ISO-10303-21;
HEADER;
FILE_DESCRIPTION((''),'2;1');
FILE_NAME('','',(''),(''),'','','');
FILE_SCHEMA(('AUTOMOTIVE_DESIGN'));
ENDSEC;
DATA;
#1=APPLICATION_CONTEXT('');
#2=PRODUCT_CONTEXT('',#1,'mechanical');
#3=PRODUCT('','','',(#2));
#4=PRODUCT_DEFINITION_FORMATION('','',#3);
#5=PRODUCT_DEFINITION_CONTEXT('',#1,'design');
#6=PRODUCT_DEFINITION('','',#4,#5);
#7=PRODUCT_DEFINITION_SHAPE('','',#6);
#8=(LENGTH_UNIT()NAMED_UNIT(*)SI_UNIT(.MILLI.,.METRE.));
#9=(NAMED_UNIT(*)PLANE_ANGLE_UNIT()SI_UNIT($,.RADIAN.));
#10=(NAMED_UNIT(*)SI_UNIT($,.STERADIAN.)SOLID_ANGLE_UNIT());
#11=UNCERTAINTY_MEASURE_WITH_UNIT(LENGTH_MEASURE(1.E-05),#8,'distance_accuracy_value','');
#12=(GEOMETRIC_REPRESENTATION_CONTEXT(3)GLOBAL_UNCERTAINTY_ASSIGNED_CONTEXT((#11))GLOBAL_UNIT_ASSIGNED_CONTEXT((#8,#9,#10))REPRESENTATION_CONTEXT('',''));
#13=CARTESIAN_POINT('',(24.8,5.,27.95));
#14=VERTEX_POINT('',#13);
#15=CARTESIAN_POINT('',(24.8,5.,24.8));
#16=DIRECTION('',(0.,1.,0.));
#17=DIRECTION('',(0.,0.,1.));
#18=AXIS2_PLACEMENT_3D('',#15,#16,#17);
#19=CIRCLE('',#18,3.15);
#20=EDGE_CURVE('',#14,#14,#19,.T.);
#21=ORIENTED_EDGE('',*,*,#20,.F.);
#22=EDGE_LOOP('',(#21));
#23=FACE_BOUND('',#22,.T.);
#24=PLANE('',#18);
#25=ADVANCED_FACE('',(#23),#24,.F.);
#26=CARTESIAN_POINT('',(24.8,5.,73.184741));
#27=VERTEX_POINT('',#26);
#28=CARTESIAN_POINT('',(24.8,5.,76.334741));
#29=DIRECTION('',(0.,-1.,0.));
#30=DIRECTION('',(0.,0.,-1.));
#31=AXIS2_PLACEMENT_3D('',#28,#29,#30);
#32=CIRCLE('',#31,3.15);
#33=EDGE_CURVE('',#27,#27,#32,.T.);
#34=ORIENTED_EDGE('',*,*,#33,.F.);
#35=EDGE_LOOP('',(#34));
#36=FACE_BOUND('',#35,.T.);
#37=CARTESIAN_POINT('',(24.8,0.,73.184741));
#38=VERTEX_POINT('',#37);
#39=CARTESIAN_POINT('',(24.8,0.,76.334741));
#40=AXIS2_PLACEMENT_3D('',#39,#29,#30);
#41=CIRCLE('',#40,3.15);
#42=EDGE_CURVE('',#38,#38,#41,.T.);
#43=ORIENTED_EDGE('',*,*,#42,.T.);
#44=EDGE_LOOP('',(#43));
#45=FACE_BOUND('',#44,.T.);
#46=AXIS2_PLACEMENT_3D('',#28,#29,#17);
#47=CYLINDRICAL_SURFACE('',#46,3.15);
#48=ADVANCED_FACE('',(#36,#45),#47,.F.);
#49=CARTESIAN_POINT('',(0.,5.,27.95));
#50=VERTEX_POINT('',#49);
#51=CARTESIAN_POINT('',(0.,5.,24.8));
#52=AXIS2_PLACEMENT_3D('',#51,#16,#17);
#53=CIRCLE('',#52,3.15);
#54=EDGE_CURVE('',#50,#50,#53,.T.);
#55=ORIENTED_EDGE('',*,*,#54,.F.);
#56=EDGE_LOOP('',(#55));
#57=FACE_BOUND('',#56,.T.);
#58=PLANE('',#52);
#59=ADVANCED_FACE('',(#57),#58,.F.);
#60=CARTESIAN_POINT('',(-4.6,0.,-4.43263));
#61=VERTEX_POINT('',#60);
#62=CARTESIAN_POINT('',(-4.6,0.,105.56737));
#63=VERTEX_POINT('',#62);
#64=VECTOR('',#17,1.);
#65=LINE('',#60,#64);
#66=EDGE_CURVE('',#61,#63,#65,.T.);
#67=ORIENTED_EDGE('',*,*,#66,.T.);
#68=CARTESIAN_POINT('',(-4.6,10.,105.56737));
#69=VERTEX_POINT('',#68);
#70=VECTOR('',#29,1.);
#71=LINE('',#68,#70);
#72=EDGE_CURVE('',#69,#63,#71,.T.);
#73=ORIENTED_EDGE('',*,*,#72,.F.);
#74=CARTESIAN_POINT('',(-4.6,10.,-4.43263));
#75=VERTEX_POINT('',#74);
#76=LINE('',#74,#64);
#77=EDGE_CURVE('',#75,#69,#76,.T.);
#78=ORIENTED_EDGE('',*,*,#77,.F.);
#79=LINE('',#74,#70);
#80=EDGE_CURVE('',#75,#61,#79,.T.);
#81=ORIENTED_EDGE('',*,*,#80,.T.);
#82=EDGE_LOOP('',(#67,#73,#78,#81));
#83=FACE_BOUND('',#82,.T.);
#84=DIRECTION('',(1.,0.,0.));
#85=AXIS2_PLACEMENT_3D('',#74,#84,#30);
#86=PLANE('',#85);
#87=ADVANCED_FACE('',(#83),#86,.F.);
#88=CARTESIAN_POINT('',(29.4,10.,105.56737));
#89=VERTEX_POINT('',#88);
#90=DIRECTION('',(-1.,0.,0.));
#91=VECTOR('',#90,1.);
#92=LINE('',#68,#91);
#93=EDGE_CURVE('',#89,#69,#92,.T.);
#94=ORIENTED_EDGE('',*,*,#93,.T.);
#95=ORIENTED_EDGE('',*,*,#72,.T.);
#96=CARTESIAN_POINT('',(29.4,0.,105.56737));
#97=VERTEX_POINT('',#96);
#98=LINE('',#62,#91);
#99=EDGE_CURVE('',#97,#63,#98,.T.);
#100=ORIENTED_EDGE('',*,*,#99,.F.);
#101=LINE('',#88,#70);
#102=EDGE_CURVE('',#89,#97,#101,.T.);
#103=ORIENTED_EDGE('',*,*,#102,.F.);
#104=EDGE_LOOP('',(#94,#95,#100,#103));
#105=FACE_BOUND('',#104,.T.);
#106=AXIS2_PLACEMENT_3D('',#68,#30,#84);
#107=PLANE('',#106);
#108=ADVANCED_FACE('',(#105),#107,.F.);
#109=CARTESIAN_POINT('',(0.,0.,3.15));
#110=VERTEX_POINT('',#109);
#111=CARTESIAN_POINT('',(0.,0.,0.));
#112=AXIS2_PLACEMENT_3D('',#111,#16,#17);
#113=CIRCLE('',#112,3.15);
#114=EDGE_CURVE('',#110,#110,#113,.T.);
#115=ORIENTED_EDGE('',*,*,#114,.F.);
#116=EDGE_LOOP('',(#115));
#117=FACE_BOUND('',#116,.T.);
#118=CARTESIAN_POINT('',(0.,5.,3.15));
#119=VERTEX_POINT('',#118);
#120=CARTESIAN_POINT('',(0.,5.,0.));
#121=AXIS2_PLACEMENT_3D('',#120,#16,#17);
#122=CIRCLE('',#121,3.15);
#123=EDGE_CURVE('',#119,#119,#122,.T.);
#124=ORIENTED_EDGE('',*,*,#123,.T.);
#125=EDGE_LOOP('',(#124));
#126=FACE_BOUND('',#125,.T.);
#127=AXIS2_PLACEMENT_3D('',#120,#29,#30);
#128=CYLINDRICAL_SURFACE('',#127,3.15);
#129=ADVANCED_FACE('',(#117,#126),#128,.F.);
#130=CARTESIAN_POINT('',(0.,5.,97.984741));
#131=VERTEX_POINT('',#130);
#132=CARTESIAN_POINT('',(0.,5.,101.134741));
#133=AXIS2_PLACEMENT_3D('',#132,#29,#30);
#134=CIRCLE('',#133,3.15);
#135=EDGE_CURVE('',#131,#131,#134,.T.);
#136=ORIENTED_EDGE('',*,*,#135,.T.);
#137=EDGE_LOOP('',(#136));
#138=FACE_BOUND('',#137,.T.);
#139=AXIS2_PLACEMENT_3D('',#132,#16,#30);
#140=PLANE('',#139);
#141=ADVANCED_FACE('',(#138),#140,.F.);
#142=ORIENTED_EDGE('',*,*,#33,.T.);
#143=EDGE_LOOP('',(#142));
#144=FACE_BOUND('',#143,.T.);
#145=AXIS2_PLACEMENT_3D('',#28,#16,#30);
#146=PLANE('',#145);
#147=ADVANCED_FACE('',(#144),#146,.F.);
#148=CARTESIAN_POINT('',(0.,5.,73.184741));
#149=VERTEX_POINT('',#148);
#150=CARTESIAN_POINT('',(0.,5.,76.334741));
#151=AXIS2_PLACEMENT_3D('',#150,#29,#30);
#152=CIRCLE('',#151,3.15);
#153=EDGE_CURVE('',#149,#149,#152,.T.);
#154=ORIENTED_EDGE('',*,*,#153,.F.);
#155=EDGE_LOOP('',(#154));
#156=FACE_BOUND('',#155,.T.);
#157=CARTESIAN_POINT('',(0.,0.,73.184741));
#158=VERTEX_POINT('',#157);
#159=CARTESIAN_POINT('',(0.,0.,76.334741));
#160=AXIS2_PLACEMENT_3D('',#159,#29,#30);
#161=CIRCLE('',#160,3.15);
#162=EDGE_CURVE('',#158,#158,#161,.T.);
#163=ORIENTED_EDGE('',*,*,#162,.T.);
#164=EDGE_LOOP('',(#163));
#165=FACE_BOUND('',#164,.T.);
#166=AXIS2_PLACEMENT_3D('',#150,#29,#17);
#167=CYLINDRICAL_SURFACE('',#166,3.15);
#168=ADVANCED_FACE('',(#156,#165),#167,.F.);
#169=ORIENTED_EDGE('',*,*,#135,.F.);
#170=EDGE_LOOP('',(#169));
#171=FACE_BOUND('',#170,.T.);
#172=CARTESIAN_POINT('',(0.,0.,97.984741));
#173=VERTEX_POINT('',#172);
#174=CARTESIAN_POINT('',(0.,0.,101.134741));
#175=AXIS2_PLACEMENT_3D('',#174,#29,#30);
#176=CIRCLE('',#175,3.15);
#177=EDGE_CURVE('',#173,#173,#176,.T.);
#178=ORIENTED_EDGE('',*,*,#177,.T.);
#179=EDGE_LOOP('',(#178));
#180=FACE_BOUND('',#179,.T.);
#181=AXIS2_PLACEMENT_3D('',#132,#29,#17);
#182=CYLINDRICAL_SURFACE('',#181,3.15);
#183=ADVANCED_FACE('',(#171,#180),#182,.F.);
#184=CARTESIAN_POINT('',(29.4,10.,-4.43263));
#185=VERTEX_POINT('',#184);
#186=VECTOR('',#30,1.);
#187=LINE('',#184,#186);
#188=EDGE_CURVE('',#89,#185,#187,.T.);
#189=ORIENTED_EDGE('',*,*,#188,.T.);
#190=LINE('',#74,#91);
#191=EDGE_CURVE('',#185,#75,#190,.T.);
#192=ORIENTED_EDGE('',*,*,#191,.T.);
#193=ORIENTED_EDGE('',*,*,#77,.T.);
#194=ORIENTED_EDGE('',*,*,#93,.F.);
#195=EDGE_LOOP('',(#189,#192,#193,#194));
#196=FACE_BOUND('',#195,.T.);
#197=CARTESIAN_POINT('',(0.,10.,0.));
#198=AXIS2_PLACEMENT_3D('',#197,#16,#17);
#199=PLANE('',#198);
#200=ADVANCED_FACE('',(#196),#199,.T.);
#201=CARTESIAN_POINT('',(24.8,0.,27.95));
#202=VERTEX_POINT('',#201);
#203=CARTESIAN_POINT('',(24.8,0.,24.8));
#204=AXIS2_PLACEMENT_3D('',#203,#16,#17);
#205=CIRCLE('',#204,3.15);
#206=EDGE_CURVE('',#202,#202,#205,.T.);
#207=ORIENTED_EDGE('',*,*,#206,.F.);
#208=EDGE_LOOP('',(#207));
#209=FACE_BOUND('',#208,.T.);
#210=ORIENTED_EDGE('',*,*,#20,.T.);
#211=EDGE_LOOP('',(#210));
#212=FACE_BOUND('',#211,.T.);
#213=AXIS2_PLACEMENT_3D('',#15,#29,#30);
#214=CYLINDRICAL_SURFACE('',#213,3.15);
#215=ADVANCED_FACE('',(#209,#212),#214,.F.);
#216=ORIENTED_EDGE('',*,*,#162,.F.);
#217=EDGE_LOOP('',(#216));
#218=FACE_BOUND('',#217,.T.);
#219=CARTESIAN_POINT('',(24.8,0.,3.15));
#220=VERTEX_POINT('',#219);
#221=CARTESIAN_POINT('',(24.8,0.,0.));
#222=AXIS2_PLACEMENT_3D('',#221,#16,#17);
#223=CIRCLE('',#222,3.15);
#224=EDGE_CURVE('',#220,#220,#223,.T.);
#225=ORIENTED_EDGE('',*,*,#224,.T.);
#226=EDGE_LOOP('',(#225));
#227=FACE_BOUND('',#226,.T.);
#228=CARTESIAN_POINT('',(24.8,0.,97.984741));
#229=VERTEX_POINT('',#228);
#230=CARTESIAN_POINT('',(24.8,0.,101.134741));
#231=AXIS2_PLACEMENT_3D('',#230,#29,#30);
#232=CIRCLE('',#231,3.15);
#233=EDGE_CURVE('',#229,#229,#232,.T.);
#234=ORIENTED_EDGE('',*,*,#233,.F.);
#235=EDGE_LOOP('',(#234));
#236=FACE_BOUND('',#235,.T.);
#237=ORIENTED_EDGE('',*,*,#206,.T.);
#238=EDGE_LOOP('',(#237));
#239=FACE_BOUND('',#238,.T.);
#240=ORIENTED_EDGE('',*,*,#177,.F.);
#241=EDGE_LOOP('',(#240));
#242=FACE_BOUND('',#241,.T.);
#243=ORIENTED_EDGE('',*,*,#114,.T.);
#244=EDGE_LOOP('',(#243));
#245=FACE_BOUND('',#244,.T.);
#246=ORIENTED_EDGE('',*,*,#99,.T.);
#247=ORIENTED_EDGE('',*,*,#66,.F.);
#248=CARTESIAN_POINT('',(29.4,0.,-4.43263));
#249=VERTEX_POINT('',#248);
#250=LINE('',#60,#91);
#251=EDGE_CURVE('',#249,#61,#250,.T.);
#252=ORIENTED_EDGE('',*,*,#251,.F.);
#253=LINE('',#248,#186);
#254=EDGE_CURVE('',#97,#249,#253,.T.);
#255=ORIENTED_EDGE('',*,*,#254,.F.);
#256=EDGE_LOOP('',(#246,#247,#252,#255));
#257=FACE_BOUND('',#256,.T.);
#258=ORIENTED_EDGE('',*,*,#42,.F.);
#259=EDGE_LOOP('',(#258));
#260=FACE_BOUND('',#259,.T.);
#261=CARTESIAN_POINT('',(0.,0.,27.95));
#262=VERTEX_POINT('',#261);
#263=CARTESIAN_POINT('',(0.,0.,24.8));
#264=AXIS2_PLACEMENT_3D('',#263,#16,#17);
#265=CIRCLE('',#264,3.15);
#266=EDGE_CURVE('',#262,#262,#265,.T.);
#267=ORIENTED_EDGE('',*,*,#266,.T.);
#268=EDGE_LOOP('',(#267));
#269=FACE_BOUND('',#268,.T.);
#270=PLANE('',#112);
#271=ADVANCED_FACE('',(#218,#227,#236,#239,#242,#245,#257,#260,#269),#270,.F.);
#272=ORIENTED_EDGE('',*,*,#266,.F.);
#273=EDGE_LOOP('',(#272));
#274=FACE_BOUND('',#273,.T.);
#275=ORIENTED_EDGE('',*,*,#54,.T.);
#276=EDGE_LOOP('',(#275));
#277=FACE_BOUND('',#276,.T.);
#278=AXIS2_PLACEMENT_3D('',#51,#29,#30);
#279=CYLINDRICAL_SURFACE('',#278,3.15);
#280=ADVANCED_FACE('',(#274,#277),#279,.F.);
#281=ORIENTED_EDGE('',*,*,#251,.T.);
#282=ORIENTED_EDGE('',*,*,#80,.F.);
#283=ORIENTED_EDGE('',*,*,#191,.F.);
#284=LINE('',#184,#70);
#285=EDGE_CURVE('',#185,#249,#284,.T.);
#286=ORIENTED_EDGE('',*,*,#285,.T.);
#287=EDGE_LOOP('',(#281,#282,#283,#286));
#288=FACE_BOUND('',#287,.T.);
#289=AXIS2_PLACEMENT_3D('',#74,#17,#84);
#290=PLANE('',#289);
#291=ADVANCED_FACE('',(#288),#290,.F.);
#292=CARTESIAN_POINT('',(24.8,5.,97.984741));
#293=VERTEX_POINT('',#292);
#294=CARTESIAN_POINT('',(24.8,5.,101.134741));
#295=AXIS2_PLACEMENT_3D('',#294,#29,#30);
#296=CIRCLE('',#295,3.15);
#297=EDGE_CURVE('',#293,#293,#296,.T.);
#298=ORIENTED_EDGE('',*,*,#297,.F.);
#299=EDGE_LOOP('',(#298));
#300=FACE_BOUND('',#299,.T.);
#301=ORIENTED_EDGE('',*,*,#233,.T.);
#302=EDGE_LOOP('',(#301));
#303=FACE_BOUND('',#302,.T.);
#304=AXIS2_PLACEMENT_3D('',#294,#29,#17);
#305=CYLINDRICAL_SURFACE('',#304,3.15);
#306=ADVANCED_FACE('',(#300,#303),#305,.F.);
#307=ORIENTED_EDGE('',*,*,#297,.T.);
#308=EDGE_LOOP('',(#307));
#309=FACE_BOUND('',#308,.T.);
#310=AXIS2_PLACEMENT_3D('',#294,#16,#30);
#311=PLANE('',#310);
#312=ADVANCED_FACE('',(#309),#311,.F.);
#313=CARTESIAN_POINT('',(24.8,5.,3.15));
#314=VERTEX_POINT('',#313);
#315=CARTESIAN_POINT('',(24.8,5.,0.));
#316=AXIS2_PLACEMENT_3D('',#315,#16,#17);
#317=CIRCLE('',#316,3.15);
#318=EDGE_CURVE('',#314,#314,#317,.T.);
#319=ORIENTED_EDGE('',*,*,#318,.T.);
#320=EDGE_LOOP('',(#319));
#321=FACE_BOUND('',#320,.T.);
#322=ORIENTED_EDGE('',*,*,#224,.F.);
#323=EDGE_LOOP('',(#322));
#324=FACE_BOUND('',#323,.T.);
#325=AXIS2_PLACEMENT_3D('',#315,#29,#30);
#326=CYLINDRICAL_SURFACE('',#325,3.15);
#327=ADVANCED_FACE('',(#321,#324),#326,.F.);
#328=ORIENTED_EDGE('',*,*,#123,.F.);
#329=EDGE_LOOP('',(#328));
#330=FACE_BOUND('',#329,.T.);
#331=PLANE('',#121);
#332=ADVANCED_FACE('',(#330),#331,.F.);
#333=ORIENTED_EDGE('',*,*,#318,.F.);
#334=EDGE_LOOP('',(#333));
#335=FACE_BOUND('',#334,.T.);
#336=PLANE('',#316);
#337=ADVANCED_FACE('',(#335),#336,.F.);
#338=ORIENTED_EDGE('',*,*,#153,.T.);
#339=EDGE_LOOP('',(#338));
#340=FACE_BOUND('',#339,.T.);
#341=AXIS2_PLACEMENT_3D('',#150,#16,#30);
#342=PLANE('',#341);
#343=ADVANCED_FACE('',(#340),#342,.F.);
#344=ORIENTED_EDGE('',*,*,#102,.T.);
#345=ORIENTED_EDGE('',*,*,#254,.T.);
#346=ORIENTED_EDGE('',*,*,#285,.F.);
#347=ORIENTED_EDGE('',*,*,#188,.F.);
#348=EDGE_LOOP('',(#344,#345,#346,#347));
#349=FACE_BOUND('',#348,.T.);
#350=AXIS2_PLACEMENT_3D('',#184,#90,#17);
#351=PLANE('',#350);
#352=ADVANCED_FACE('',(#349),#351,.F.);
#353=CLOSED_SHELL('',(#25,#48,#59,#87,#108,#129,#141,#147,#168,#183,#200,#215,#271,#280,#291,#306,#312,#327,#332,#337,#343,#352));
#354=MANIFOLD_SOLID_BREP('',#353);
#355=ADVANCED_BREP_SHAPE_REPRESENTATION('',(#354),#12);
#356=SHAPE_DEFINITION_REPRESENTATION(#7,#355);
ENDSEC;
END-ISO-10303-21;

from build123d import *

# Parameters (mm, degrees)
SKETCH2_W           = 34
SKETCH2_H           = 55
BOSS_EXTRUDE1_DEPTH = 10
SKETCH1_R           = 3.15
CUT_EXTRUDE1_DEPTH  = 5


with BuildPart() as part:
    # Sketch2 → Boss-Extrude1 (new body)
    with BuildSketch(Plane(origin=(0, 0, 0), x_dir=(1, 0, 0), z_dir=(0, 1, 0))):
        with Locations((12.4, -23.06737043)):
            Rectangle(SKETCH2_W, SKETCH2_H)
    extrude(amount=BOSS_EXTRUDE1_DEPTH)

    # Sketch1 → Cut-Extrude1 (cut)
    with BuildSketch(Plane(origin=(0, 0, 0), x_dir=(1, 0, 0), z_dir=(0, 1, 0))):
        Circle(SKETCH1_R)
        with Locations((24.8, 0)):
            Circle(SKETCH1_R)
        with Locations((0, -24.8)):
            Circle(SKETCH1_R)
        with Locations((24.8, -24.8)):
            Circle(SKETCH1_R)
    extrude(amount=CUT_EXTRUDE1_DEPTH, mode=Mode.SUBTRACT)

    # Mirror1: part across plane


with BuildPart() as part_1:
    add(part.part)
    add(part.part.mirror(Plane(origin=(-4.6, 10, 50.56737043), x_dir=(1, 0, 0), z_dir=(0, 0, -1))))


solid = part_1.part
